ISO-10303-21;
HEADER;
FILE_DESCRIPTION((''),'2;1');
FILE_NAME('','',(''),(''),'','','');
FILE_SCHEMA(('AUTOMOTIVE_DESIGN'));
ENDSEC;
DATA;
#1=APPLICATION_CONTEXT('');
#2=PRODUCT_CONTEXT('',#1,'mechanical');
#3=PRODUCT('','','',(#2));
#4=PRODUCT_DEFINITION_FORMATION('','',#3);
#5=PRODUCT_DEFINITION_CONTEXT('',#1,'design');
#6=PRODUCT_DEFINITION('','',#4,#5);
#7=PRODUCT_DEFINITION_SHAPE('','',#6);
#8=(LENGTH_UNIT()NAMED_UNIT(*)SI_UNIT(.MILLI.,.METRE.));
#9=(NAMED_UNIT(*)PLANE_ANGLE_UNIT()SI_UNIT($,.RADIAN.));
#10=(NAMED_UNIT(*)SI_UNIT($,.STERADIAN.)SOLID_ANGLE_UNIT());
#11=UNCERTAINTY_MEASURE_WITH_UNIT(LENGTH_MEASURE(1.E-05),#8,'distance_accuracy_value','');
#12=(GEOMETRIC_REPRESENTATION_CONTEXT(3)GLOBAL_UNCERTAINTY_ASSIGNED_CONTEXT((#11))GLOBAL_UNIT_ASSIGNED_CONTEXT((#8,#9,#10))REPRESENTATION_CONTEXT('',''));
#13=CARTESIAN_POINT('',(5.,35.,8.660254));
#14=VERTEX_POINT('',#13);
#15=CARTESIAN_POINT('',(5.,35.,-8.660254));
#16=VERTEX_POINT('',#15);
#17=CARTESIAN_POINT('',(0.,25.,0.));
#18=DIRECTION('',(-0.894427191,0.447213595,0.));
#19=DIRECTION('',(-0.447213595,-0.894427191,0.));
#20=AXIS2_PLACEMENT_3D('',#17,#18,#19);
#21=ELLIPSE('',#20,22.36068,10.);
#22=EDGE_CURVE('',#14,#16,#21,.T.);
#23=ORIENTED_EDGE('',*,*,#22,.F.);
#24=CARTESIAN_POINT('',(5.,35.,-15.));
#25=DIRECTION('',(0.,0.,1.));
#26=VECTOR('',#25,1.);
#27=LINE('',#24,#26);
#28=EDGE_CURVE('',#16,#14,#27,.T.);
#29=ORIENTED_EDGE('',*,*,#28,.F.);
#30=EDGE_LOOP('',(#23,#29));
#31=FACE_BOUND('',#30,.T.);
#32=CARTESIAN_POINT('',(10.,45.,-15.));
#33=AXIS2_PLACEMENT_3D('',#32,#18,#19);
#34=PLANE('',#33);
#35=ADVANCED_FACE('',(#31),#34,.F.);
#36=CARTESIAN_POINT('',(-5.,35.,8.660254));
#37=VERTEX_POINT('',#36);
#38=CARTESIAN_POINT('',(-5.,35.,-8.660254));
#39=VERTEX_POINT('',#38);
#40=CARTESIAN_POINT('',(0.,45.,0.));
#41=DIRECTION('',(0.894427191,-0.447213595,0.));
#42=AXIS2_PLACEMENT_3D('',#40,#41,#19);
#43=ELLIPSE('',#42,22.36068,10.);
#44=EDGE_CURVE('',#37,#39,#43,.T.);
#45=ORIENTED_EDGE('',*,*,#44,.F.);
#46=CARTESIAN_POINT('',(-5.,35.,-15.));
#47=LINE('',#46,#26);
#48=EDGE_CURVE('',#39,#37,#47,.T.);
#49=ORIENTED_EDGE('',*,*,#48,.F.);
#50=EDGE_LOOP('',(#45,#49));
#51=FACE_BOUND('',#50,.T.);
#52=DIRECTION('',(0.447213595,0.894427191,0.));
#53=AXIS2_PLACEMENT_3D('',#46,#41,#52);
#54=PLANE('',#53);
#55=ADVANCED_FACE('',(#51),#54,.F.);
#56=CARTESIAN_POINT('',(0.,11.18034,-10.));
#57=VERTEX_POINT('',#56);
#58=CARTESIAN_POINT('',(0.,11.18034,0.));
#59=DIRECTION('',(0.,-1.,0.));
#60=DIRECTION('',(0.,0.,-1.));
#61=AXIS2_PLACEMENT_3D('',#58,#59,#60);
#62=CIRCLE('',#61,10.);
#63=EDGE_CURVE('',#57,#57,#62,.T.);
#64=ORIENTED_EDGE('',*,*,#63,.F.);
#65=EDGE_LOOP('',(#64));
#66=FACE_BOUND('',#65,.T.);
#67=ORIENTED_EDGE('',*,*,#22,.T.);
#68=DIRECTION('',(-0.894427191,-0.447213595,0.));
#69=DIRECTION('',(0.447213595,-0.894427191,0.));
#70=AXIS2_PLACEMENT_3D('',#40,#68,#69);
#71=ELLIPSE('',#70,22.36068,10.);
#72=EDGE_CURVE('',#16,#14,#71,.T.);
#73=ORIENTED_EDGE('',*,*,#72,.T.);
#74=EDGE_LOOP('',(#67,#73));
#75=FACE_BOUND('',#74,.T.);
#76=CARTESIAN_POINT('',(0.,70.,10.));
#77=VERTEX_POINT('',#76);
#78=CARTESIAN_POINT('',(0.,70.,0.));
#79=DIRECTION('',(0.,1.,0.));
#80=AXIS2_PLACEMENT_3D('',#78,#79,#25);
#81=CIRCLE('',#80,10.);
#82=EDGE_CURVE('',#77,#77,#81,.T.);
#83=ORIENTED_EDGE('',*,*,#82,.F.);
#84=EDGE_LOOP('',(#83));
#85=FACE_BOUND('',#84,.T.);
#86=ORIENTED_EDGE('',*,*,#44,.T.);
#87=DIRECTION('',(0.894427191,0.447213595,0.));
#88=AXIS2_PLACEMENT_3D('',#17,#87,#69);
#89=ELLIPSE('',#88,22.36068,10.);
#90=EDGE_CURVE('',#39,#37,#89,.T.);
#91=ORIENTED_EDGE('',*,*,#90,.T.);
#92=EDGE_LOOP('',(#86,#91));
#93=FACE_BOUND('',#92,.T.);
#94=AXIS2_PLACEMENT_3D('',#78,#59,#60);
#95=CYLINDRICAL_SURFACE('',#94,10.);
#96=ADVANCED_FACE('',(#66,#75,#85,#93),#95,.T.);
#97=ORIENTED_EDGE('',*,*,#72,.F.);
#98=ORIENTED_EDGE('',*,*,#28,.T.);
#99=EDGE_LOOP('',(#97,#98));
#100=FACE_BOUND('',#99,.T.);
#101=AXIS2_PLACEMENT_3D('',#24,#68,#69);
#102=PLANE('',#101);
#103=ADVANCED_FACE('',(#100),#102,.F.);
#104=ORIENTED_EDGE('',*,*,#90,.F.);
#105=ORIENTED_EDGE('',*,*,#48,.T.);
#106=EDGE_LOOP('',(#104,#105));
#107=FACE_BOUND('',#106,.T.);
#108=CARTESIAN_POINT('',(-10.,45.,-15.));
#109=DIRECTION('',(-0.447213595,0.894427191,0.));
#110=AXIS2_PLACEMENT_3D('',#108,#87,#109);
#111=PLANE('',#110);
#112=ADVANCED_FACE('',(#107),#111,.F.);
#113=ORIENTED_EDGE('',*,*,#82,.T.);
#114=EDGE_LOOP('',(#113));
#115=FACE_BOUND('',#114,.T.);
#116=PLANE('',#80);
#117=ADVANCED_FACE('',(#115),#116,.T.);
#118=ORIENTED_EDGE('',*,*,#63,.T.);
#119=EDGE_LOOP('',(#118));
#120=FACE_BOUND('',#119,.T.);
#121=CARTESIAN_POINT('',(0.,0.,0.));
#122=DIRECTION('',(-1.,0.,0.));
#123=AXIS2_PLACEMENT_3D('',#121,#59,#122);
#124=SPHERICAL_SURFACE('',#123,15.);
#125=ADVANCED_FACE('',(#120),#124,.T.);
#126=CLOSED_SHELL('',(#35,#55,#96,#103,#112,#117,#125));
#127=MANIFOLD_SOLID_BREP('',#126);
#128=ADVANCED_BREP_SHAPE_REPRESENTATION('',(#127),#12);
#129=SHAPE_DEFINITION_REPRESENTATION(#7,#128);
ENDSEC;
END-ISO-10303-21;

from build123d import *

# Parameters (mm, degrees)
SKETCH2_R               = 10
BOSS_EXTRUDE1_DEPTH     = 70
CUT_EXTRUDE1_DEPTH      = 74.143694192
CUT_EXTRUDE1_DEPTH_BACK = 74.143694192


with BuildPart() as part:
    # Sketch1 → Revolve1 (revolve)
    with BuildSketch(Plane.XY):
        with BuildLine():
            Line((0, 15), (0, -15))
            ThreePointArc((0, -15), (15, 0), (0, 15))
        make_face()
    revolve(axis=Axis((0, -733.142524484, 0), (0, 1, 0)))

    # Sketch2 → Boss-Extrude1 (add)
    with BuildSketch(Plane(origin=(0, 0, 0), x_dir=(1, 0, 0), z_dir=(0, 1, 0))):
        with Locations(Location((0, 0, 0), (0, 0, 90))):
            Circle(SKETCH2_R)
    extrude(amount=BOSS_EXTRUDE1_DEPTH)

    # Sketch3 → Cut-Extrude1 (cut, two sides: drawn at the far end of the back side and taken through both)
    with BuildSketch(Plane.XY.offset(-CUT_EXTRUDE1_DEPTH_BACK)):
        Polygon((10, 45), (5, 35), (10, 25), align=None)
        Polygon((-10, 45), (-10, 25), (-5, 35), align=None)
    extrude(amount=CUT_EXTRUDE1_DEPTH + CUT_EXTRUDE1_DEPTH_BACK, mode=Mode.SUBTRACT)


solid = part.part
